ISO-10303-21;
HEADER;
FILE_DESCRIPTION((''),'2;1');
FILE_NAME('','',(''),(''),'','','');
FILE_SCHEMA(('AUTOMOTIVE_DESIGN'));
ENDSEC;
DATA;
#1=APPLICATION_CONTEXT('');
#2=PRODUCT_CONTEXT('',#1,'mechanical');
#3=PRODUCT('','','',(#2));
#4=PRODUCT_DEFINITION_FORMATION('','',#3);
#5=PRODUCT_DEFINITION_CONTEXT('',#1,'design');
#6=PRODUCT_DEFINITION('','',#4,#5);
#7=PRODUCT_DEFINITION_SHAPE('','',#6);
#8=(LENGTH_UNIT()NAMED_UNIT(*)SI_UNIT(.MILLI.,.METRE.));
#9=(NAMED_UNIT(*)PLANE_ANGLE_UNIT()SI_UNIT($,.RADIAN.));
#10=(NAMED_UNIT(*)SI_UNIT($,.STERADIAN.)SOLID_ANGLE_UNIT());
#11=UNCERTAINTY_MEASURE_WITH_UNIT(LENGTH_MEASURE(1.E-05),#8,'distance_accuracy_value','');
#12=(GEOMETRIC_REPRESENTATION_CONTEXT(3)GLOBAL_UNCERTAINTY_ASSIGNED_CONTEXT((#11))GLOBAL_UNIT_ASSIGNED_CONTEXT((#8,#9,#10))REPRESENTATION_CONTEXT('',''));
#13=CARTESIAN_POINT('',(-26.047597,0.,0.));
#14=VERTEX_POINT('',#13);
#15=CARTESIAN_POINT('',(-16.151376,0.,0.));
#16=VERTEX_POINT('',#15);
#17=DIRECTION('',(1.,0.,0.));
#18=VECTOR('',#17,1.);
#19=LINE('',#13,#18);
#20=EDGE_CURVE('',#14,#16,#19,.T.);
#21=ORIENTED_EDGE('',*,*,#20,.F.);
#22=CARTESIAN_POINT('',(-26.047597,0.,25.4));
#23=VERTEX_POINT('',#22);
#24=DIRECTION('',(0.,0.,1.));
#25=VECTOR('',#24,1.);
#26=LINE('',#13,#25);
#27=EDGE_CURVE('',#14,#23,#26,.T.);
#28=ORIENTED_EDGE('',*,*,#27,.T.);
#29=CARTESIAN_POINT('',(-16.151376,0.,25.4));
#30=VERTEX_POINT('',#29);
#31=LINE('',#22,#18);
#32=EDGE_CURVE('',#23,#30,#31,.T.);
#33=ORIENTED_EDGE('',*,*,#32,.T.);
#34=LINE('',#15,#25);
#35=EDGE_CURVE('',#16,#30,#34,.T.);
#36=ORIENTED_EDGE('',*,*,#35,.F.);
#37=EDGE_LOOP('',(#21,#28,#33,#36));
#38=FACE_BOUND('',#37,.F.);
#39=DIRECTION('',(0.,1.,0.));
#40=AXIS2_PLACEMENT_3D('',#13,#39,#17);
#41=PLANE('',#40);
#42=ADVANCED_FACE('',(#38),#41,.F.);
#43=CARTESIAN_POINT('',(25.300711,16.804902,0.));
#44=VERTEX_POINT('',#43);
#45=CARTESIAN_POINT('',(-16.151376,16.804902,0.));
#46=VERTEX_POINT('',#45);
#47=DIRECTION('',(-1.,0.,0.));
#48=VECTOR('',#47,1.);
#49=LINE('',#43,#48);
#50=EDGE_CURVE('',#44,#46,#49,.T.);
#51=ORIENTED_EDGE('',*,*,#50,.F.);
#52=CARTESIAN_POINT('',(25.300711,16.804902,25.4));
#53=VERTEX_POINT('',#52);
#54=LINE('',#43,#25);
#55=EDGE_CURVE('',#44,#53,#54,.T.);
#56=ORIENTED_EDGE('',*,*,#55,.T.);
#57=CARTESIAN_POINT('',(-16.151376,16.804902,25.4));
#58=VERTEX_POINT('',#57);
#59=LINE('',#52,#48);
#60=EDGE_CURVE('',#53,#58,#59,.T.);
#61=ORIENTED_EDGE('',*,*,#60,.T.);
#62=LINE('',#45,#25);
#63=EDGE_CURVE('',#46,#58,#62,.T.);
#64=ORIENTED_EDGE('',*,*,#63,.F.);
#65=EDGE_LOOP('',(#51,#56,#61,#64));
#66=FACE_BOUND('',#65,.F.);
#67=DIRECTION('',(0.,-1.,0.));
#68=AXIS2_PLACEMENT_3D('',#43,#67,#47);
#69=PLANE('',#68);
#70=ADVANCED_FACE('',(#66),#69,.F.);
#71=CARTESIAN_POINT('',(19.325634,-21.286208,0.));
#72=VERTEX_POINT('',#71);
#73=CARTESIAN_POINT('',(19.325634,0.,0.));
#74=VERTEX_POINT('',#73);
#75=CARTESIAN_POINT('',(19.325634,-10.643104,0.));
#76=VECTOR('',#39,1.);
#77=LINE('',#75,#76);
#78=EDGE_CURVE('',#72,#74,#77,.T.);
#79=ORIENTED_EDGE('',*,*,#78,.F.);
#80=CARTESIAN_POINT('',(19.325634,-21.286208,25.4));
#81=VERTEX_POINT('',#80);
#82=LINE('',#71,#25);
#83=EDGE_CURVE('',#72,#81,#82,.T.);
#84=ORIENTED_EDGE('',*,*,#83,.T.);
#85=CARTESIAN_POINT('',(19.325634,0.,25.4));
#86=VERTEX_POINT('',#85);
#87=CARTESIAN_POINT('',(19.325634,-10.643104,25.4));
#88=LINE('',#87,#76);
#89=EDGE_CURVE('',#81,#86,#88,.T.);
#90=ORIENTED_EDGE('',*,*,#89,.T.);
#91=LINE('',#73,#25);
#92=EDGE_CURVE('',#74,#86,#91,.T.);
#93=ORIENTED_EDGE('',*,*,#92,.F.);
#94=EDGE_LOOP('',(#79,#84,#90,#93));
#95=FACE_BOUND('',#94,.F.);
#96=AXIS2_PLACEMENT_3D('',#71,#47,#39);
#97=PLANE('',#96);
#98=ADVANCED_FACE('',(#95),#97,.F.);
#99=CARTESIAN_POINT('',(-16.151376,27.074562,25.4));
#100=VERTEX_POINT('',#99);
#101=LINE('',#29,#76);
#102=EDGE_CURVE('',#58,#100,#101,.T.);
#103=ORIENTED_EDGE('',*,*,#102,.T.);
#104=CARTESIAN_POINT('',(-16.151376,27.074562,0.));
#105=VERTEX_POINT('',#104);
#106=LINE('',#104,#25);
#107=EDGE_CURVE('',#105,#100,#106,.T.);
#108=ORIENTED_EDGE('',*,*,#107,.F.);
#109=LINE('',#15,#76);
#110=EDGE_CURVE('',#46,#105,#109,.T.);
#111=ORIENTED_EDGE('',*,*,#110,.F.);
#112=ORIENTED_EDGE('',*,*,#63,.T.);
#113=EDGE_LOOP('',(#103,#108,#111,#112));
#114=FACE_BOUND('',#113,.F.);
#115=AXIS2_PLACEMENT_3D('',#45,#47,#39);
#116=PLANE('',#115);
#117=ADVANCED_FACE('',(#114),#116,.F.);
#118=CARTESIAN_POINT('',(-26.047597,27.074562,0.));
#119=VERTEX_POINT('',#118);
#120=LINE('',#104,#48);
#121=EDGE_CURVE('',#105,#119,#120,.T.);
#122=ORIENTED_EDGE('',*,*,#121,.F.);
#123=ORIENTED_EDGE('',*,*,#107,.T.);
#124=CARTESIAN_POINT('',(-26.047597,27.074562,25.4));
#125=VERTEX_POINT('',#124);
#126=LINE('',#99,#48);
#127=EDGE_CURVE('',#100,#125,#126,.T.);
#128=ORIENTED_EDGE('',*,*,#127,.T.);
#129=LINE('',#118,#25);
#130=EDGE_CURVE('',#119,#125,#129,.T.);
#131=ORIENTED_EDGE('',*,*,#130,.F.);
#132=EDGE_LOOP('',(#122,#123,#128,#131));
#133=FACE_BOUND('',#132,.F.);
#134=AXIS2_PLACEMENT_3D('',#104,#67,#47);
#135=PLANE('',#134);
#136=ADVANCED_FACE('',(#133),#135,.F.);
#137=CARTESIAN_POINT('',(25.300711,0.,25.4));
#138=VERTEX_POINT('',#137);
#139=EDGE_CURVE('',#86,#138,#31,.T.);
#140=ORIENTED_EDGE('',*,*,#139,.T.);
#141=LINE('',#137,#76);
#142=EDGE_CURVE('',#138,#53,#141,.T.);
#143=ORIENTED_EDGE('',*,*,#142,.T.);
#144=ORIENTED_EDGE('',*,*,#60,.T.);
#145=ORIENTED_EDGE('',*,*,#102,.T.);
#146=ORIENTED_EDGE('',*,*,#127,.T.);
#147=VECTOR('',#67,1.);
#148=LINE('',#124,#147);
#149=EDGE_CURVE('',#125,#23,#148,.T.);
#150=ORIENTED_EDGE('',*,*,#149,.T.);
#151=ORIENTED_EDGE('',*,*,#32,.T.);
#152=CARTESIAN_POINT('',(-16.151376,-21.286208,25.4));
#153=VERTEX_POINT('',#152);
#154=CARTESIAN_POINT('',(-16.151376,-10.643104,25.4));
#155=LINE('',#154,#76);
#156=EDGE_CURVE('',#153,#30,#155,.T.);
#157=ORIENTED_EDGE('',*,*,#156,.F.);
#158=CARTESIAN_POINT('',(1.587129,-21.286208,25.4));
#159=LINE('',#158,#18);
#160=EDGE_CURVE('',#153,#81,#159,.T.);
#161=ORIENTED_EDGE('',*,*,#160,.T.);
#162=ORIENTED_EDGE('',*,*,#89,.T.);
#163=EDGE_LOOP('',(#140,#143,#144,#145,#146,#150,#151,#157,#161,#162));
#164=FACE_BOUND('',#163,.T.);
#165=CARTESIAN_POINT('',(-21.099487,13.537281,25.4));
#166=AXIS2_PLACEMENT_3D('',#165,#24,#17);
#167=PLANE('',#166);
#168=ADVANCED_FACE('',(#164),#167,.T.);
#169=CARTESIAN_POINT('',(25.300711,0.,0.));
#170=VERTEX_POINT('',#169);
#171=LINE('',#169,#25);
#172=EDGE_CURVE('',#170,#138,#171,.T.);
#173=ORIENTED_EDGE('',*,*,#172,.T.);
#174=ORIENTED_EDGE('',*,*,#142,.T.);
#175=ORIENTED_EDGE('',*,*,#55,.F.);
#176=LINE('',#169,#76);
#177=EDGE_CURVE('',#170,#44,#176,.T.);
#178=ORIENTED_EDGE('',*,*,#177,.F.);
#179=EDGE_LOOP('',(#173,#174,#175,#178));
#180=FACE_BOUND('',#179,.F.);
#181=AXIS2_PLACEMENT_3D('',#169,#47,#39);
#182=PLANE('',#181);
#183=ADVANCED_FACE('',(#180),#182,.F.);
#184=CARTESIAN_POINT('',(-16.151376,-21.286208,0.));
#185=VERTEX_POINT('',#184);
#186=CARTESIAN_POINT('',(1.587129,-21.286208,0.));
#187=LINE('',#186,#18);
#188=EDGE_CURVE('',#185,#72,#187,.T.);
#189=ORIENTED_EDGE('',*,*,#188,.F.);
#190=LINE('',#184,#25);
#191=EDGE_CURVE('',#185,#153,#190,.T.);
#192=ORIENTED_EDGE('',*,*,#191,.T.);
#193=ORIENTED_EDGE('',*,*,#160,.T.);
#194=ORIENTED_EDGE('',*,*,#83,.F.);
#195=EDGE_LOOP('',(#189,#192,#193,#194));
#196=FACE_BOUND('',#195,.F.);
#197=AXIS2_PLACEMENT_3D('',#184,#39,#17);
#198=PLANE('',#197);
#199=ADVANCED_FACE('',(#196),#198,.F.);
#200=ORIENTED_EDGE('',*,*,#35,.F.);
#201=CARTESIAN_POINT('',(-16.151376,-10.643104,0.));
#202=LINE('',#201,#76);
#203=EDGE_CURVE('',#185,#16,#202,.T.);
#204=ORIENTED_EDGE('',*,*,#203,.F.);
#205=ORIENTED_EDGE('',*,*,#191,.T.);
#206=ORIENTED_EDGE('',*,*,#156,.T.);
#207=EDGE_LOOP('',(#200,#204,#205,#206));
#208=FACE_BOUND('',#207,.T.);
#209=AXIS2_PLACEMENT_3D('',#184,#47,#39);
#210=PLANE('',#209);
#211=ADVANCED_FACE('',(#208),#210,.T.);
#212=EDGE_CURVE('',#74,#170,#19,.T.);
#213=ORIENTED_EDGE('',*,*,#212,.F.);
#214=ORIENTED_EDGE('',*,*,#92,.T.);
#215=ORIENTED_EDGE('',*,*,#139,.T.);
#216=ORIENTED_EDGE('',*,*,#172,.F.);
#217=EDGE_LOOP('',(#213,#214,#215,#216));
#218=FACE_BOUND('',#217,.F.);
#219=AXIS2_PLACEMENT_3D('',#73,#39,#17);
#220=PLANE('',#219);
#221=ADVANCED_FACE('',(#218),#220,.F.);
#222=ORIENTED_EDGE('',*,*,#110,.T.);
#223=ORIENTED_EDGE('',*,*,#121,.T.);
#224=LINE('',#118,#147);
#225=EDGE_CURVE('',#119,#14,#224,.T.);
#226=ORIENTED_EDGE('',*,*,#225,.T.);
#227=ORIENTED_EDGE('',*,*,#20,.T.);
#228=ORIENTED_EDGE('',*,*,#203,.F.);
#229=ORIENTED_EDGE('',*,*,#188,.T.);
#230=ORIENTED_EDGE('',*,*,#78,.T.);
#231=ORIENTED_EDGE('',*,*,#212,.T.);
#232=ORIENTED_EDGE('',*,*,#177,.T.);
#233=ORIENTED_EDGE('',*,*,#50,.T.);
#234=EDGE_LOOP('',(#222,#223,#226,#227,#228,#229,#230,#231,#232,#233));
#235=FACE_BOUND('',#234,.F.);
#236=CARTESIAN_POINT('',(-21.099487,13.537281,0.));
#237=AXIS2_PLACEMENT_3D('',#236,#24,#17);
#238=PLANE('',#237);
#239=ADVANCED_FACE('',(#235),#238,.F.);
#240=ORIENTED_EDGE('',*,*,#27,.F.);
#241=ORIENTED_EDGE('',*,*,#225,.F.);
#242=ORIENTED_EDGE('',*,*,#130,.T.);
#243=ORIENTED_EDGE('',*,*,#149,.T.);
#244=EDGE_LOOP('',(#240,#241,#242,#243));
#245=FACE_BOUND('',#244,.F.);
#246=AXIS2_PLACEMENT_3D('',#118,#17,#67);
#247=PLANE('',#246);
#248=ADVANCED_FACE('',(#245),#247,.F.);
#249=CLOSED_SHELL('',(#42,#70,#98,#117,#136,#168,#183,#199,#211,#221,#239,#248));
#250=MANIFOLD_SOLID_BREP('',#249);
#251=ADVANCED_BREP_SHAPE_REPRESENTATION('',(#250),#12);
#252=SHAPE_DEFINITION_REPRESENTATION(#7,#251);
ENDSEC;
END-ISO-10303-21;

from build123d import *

# Parameters (mm, degrees)
F0_W     = 35.47701
F0_H     = 21.286208
F1_DEPTH = 25.4


with BuildPart() as f1:
    # F0 (on Top) → F1 (new body)
    with BuildSketch(Plane.XY):
        Polygon((-16.151376, 27.074562), (-26.047597, 27.074562), (-26.047597, 0), (-16.151376, 0), (-16.151376, 16.804902), align=None)
        Polygon((25.300711, 16.804902), (-16.151376, 16.804902), (-16.151376, 0), (19.325634, 0), (25.300711, 0), align=None)
        with Locations((1.587129, -10.643104)):
            Rectangle(F0_W, F0_H)
    extrude(amount=F1_DEPTH)


solid = f1.part
